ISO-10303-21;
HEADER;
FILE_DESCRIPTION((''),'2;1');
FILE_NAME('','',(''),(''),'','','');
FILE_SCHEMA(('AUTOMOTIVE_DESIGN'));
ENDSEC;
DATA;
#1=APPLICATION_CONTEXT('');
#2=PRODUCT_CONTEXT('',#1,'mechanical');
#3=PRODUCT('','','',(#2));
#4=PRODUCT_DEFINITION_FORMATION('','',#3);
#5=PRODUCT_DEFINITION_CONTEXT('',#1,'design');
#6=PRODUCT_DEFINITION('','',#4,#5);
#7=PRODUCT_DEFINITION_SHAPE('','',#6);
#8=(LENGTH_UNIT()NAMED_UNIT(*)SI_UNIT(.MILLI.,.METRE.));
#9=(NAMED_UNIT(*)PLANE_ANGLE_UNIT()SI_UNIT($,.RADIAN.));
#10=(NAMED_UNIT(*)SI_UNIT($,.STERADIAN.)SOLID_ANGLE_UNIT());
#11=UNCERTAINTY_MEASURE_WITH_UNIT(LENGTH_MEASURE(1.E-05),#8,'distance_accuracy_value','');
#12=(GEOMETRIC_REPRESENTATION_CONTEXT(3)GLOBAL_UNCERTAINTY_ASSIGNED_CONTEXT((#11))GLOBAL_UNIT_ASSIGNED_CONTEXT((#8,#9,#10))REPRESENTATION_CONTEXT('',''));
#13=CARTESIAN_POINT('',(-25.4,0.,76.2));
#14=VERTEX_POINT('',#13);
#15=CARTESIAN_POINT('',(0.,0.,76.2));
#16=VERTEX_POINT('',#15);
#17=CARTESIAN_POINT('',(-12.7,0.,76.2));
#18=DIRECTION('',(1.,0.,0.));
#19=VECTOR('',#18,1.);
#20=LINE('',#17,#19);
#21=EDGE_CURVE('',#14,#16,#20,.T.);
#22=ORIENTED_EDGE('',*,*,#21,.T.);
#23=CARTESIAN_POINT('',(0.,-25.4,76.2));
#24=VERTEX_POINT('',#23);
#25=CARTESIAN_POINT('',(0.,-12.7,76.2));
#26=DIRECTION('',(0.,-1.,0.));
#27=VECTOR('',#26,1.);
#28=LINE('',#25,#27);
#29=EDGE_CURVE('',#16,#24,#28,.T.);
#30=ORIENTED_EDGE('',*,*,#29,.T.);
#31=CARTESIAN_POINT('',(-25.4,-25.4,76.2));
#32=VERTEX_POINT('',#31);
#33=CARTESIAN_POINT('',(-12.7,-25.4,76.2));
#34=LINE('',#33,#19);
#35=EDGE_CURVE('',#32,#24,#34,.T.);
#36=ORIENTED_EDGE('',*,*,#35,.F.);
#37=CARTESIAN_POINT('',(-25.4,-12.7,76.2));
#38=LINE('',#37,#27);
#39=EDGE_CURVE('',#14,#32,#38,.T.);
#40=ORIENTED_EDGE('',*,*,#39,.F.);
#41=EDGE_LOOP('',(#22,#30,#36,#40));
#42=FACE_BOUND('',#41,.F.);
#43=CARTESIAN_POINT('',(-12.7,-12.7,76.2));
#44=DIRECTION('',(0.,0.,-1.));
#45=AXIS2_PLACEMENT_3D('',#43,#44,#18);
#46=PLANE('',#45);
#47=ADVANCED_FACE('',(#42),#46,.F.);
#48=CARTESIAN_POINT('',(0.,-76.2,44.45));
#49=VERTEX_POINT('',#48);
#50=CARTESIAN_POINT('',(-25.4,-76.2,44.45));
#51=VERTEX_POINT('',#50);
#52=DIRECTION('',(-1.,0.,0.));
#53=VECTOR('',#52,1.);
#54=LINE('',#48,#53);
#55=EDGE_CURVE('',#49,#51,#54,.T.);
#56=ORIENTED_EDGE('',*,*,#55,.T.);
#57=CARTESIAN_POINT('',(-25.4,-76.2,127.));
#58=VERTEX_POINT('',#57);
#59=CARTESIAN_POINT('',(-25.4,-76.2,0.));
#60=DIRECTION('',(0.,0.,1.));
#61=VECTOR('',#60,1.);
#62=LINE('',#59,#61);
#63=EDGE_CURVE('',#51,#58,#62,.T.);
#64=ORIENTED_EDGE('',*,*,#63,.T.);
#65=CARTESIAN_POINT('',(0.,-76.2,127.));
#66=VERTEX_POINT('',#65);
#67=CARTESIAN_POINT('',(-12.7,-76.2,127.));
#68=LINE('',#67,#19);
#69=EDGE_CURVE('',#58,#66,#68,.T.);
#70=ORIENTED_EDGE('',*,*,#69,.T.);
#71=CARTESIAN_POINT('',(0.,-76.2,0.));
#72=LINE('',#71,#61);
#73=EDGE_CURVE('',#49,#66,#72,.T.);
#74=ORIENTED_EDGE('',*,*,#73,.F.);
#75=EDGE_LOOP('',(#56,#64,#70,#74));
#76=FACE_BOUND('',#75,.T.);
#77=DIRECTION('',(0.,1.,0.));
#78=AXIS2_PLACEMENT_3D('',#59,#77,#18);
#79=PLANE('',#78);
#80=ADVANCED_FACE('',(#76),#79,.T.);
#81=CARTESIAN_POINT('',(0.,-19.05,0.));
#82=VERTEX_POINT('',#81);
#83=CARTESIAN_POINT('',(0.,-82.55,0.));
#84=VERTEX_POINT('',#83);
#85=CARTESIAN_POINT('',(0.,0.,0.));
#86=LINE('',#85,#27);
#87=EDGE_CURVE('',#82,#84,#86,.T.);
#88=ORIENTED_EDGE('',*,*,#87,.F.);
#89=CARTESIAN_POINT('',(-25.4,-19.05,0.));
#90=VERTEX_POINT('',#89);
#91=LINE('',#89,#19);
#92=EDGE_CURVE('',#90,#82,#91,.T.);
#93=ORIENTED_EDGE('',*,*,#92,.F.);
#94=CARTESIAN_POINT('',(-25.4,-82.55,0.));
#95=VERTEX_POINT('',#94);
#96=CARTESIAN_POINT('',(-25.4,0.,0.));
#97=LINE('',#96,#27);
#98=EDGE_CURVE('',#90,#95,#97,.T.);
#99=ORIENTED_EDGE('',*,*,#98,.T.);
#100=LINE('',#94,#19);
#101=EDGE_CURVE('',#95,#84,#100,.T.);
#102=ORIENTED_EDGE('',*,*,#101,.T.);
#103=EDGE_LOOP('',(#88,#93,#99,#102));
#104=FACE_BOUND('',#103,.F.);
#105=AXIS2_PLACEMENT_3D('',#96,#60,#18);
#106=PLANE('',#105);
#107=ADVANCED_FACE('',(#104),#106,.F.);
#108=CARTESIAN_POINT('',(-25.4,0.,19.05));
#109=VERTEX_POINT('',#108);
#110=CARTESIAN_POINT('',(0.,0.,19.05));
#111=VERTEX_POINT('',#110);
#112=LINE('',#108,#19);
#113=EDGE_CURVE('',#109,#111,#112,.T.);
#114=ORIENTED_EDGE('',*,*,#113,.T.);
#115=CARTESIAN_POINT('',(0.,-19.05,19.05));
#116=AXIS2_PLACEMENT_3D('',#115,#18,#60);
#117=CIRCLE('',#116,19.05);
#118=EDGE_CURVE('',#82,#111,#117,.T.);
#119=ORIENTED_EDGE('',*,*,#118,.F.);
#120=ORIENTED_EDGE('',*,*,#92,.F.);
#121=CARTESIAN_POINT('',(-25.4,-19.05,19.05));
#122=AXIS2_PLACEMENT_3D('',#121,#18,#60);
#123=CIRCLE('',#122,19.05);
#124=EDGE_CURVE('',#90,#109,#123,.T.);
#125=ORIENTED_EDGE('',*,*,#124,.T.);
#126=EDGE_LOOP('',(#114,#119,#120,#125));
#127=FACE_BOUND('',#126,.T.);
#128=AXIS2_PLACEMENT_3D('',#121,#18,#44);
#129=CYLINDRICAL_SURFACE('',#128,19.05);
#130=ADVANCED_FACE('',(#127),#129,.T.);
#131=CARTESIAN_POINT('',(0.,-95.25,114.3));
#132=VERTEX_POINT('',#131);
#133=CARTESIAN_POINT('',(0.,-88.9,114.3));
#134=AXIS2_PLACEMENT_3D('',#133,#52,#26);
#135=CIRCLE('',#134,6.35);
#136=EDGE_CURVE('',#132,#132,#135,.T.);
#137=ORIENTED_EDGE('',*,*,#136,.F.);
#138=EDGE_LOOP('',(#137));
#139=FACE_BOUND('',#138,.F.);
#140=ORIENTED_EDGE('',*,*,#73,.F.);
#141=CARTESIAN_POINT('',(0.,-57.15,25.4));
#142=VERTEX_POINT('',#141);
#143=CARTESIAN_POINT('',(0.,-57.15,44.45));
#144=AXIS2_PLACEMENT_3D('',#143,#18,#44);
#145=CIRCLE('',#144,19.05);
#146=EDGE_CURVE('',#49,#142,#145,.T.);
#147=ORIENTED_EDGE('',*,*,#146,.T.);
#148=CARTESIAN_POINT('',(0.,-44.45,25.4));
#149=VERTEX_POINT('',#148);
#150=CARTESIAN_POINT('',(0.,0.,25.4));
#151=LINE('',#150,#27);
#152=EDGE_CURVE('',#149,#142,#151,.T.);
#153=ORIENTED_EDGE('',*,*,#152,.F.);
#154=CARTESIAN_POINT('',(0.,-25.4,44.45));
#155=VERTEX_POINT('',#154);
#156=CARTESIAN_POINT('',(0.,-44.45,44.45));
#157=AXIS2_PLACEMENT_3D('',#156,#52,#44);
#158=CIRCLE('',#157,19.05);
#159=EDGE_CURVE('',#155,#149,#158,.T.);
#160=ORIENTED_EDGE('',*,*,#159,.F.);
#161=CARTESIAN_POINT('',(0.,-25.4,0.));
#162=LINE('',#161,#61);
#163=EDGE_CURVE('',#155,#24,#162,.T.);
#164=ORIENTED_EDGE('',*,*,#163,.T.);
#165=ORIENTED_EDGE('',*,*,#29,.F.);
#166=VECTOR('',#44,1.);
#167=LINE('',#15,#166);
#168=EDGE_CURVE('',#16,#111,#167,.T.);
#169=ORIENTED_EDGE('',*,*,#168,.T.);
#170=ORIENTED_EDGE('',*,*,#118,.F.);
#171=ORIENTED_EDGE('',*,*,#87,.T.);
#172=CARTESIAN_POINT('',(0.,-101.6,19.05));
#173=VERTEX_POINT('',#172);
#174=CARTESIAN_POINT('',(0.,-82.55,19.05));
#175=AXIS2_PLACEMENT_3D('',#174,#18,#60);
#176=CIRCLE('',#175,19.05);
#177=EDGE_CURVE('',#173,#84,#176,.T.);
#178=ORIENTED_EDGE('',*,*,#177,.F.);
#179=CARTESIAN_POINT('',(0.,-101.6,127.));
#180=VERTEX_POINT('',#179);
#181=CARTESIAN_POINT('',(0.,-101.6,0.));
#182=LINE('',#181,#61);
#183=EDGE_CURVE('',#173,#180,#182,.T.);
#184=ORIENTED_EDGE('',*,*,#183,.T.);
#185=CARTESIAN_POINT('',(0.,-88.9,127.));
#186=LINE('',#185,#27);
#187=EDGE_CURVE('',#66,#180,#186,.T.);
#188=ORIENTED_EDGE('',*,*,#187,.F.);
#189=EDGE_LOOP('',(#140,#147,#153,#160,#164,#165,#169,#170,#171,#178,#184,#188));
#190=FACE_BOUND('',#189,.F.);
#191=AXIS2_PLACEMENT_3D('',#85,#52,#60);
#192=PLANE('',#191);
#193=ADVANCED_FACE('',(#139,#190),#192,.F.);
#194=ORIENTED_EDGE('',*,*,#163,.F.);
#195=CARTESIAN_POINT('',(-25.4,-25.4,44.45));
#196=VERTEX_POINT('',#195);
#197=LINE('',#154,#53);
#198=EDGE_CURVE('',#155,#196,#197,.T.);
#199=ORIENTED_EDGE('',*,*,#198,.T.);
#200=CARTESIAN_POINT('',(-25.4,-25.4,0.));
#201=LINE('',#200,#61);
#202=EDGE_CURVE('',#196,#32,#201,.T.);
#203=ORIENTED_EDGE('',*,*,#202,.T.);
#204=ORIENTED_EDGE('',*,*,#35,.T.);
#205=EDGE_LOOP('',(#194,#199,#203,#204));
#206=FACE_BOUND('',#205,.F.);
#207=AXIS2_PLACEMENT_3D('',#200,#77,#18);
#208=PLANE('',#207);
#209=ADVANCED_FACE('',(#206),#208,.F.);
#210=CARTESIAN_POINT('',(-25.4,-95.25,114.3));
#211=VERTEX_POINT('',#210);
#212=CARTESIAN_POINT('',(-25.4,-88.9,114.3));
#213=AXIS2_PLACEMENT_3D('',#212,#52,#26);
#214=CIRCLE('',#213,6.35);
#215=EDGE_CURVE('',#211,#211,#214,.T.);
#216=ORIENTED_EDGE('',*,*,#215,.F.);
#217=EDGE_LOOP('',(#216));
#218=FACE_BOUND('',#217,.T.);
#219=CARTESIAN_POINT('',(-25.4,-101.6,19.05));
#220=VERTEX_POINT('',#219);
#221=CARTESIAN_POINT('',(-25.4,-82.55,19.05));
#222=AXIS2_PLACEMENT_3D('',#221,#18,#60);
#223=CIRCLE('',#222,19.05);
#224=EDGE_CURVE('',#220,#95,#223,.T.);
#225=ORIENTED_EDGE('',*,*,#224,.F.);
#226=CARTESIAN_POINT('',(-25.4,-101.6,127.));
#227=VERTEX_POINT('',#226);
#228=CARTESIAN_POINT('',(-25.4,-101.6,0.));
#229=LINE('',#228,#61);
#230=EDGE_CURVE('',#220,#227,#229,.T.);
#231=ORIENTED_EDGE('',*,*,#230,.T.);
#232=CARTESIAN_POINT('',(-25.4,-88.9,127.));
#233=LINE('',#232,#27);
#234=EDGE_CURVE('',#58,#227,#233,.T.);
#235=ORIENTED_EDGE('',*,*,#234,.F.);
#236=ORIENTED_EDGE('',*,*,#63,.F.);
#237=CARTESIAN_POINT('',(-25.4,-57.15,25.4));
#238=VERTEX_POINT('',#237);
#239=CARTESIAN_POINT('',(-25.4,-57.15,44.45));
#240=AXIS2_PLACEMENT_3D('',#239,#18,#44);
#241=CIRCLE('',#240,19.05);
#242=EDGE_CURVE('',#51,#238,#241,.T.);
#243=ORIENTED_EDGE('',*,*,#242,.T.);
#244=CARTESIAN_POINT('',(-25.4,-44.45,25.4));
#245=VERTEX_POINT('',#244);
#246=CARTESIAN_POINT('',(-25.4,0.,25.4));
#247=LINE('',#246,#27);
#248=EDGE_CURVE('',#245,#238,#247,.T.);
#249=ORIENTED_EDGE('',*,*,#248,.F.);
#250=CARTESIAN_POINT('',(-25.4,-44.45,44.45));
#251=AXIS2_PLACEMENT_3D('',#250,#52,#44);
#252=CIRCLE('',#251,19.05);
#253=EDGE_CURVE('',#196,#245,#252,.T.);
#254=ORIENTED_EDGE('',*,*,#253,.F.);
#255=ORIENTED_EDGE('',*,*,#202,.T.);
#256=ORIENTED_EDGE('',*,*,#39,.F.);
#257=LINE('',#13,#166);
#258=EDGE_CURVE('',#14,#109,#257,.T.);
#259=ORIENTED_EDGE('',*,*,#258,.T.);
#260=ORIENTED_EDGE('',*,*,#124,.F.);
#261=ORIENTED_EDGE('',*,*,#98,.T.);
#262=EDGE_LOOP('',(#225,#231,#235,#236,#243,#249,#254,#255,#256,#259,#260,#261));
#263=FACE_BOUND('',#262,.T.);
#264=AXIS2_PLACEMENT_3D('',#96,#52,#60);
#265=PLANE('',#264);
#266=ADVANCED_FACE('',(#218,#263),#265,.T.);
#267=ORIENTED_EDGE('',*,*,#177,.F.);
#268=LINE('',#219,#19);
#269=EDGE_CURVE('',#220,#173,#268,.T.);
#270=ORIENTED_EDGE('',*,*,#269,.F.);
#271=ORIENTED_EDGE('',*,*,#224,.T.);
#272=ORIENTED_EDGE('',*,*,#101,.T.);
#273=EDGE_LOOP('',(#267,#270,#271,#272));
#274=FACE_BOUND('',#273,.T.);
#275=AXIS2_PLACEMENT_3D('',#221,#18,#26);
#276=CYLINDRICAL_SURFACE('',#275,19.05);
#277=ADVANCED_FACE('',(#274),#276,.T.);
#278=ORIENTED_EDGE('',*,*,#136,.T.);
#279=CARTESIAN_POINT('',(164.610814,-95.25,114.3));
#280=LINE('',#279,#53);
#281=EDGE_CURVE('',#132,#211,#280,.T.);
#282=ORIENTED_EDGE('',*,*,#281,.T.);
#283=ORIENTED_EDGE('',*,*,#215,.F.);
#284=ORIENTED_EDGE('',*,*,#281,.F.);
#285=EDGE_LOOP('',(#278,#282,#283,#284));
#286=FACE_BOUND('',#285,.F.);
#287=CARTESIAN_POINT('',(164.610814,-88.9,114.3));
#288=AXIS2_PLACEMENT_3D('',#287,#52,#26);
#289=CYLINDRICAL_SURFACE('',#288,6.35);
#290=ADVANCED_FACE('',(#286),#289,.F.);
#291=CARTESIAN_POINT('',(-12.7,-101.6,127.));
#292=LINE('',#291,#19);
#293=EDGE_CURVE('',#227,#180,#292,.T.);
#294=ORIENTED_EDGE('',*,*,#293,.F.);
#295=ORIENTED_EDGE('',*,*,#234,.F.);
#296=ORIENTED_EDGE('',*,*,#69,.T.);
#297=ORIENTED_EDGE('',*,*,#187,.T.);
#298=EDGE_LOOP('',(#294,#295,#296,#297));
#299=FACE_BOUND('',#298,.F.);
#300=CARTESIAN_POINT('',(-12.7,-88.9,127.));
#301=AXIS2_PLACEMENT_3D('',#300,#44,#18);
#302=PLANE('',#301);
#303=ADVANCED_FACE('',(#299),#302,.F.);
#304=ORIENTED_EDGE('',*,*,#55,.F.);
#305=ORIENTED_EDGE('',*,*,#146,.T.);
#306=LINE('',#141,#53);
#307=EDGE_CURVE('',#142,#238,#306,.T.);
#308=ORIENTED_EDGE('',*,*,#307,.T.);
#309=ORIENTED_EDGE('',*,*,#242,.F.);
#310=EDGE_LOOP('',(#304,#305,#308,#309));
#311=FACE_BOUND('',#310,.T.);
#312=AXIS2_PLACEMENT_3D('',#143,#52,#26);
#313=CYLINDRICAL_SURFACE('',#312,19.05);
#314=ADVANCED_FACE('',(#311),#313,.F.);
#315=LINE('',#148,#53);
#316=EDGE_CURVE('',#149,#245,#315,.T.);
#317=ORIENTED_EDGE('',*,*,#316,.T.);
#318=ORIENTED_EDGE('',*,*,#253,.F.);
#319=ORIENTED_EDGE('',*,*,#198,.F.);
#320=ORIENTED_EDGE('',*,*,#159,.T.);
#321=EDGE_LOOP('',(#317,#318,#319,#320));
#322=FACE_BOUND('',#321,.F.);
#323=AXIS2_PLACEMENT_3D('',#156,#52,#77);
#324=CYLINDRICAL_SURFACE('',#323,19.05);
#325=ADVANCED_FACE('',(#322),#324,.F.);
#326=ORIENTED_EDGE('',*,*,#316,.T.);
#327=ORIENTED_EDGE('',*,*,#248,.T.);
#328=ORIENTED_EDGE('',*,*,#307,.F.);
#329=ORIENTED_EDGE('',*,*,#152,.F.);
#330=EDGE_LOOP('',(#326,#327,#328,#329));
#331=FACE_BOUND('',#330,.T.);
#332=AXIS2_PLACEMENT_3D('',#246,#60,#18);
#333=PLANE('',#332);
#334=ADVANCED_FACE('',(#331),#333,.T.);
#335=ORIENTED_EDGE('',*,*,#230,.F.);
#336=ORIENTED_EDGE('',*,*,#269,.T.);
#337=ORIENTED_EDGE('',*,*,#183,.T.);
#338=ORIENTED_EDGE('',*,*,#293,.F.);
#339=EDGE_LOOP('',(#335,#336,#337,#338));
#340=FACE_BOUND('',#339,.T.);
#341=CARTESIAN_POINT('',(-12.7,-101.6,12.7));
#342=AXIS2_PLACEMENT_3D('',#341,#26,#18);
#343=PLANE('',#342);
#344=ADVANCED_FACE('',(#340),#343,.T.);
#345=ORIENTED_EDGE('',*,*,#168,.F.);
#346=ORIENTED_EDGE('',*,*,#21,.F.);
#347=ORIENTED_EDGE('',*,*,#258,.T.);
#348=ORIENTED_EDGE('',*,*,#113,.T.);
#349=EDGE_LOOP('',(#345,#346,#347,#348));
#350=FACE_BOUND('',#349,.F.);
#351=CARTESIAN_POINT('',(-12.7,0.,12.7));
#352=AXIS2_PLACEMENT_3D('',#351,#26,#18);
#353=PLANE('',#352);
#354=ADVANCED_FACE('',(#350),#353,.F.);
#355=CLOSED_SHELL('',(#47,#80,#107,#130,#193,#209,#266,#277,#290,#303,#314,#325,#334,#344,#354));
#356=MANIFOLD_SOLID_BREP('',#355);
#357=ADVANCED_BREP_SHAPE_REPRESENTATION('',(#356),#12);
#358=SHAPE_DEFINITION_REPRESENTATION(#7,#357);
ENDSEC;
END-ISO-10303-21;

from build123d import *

# Parameters (mm, degrees)
F0_W     = 25.4
F0_H     = 25.4
F1_DEPTH = 101.6
F2_W     = 25.4
F2_H     = 25.4
F3_DEPTH = 127
F4_W     = 25.4
F4_H     = 25.4
F5_DEPTH = 76.2
F7_D     = 12.7
F8_R     = 19.05
F9_R     = 19.05
F10_R    = 19.05
F11_R    = 19.05


with BuildPart() as f1:
    # F0 (on Front) → F1 (new body)
    with BuildSketch(Plane.XZ):
        with Locations((-12.7, 12.7)):
            Rectangle(F0_W, F0_H)
    extrude(amount=F1_DEPTH)

    # F2 (on face) → F3 (join)
    with BuildSketch(Plane(origin=(0, 0, 0), x_dir=(1, 0, 0), z_dir=(0, 0, -1))):
        with Locations((-12.7, 88.9)):
            Rectangle(F2_W, F2_H)
    extrude(amount=-F3_DEPTH)

    # F4 (on face) → F5 (join)
    with BuildSketch(Plane(origin=(0, 0, 0), x_dir=(1, 0, 0), z_dir=(0, 0, -1))):
        with Locations((-12.7, 12.7)):
            Rectangle(F4_W, F4_H)
    extrude(amount=-F5_DEPTH)

    # F7 (through all)
    with Locations(Plane.YZ):
        with Locations((-88.9, 114.3)):
            Hole(F7_D / 2)

    # F8
    f8_edges = [f1.edges().sort_by_distance(p)[0] for p in [
        (-12.7, -76.2, 25.4),
    ]]
    fillet(f8_edges, radius=F8_R)

    # F9
    f9_edges = [f1.edges().sort_by_distance(p)[0] for p in [
        (-12.7, -101.6, 0),
    ]]
    fillet(f9_edges, radius=F9_R)

    # F10
    f10_edges = [f1.edges().sort_by_distance(p)[0] for p in [
        (-12.7, 0, 0),
    ]]
    fillet(f10_edges, radius=F10_R)

    # F11
    f11_edges = [f1.edges().sort_by_distance(p)[0] for p in [
        (-12.7, -25.4, 25.4),
    ]]
    fillet(f11_edges, radius=F11_R)


solid = f1.part
